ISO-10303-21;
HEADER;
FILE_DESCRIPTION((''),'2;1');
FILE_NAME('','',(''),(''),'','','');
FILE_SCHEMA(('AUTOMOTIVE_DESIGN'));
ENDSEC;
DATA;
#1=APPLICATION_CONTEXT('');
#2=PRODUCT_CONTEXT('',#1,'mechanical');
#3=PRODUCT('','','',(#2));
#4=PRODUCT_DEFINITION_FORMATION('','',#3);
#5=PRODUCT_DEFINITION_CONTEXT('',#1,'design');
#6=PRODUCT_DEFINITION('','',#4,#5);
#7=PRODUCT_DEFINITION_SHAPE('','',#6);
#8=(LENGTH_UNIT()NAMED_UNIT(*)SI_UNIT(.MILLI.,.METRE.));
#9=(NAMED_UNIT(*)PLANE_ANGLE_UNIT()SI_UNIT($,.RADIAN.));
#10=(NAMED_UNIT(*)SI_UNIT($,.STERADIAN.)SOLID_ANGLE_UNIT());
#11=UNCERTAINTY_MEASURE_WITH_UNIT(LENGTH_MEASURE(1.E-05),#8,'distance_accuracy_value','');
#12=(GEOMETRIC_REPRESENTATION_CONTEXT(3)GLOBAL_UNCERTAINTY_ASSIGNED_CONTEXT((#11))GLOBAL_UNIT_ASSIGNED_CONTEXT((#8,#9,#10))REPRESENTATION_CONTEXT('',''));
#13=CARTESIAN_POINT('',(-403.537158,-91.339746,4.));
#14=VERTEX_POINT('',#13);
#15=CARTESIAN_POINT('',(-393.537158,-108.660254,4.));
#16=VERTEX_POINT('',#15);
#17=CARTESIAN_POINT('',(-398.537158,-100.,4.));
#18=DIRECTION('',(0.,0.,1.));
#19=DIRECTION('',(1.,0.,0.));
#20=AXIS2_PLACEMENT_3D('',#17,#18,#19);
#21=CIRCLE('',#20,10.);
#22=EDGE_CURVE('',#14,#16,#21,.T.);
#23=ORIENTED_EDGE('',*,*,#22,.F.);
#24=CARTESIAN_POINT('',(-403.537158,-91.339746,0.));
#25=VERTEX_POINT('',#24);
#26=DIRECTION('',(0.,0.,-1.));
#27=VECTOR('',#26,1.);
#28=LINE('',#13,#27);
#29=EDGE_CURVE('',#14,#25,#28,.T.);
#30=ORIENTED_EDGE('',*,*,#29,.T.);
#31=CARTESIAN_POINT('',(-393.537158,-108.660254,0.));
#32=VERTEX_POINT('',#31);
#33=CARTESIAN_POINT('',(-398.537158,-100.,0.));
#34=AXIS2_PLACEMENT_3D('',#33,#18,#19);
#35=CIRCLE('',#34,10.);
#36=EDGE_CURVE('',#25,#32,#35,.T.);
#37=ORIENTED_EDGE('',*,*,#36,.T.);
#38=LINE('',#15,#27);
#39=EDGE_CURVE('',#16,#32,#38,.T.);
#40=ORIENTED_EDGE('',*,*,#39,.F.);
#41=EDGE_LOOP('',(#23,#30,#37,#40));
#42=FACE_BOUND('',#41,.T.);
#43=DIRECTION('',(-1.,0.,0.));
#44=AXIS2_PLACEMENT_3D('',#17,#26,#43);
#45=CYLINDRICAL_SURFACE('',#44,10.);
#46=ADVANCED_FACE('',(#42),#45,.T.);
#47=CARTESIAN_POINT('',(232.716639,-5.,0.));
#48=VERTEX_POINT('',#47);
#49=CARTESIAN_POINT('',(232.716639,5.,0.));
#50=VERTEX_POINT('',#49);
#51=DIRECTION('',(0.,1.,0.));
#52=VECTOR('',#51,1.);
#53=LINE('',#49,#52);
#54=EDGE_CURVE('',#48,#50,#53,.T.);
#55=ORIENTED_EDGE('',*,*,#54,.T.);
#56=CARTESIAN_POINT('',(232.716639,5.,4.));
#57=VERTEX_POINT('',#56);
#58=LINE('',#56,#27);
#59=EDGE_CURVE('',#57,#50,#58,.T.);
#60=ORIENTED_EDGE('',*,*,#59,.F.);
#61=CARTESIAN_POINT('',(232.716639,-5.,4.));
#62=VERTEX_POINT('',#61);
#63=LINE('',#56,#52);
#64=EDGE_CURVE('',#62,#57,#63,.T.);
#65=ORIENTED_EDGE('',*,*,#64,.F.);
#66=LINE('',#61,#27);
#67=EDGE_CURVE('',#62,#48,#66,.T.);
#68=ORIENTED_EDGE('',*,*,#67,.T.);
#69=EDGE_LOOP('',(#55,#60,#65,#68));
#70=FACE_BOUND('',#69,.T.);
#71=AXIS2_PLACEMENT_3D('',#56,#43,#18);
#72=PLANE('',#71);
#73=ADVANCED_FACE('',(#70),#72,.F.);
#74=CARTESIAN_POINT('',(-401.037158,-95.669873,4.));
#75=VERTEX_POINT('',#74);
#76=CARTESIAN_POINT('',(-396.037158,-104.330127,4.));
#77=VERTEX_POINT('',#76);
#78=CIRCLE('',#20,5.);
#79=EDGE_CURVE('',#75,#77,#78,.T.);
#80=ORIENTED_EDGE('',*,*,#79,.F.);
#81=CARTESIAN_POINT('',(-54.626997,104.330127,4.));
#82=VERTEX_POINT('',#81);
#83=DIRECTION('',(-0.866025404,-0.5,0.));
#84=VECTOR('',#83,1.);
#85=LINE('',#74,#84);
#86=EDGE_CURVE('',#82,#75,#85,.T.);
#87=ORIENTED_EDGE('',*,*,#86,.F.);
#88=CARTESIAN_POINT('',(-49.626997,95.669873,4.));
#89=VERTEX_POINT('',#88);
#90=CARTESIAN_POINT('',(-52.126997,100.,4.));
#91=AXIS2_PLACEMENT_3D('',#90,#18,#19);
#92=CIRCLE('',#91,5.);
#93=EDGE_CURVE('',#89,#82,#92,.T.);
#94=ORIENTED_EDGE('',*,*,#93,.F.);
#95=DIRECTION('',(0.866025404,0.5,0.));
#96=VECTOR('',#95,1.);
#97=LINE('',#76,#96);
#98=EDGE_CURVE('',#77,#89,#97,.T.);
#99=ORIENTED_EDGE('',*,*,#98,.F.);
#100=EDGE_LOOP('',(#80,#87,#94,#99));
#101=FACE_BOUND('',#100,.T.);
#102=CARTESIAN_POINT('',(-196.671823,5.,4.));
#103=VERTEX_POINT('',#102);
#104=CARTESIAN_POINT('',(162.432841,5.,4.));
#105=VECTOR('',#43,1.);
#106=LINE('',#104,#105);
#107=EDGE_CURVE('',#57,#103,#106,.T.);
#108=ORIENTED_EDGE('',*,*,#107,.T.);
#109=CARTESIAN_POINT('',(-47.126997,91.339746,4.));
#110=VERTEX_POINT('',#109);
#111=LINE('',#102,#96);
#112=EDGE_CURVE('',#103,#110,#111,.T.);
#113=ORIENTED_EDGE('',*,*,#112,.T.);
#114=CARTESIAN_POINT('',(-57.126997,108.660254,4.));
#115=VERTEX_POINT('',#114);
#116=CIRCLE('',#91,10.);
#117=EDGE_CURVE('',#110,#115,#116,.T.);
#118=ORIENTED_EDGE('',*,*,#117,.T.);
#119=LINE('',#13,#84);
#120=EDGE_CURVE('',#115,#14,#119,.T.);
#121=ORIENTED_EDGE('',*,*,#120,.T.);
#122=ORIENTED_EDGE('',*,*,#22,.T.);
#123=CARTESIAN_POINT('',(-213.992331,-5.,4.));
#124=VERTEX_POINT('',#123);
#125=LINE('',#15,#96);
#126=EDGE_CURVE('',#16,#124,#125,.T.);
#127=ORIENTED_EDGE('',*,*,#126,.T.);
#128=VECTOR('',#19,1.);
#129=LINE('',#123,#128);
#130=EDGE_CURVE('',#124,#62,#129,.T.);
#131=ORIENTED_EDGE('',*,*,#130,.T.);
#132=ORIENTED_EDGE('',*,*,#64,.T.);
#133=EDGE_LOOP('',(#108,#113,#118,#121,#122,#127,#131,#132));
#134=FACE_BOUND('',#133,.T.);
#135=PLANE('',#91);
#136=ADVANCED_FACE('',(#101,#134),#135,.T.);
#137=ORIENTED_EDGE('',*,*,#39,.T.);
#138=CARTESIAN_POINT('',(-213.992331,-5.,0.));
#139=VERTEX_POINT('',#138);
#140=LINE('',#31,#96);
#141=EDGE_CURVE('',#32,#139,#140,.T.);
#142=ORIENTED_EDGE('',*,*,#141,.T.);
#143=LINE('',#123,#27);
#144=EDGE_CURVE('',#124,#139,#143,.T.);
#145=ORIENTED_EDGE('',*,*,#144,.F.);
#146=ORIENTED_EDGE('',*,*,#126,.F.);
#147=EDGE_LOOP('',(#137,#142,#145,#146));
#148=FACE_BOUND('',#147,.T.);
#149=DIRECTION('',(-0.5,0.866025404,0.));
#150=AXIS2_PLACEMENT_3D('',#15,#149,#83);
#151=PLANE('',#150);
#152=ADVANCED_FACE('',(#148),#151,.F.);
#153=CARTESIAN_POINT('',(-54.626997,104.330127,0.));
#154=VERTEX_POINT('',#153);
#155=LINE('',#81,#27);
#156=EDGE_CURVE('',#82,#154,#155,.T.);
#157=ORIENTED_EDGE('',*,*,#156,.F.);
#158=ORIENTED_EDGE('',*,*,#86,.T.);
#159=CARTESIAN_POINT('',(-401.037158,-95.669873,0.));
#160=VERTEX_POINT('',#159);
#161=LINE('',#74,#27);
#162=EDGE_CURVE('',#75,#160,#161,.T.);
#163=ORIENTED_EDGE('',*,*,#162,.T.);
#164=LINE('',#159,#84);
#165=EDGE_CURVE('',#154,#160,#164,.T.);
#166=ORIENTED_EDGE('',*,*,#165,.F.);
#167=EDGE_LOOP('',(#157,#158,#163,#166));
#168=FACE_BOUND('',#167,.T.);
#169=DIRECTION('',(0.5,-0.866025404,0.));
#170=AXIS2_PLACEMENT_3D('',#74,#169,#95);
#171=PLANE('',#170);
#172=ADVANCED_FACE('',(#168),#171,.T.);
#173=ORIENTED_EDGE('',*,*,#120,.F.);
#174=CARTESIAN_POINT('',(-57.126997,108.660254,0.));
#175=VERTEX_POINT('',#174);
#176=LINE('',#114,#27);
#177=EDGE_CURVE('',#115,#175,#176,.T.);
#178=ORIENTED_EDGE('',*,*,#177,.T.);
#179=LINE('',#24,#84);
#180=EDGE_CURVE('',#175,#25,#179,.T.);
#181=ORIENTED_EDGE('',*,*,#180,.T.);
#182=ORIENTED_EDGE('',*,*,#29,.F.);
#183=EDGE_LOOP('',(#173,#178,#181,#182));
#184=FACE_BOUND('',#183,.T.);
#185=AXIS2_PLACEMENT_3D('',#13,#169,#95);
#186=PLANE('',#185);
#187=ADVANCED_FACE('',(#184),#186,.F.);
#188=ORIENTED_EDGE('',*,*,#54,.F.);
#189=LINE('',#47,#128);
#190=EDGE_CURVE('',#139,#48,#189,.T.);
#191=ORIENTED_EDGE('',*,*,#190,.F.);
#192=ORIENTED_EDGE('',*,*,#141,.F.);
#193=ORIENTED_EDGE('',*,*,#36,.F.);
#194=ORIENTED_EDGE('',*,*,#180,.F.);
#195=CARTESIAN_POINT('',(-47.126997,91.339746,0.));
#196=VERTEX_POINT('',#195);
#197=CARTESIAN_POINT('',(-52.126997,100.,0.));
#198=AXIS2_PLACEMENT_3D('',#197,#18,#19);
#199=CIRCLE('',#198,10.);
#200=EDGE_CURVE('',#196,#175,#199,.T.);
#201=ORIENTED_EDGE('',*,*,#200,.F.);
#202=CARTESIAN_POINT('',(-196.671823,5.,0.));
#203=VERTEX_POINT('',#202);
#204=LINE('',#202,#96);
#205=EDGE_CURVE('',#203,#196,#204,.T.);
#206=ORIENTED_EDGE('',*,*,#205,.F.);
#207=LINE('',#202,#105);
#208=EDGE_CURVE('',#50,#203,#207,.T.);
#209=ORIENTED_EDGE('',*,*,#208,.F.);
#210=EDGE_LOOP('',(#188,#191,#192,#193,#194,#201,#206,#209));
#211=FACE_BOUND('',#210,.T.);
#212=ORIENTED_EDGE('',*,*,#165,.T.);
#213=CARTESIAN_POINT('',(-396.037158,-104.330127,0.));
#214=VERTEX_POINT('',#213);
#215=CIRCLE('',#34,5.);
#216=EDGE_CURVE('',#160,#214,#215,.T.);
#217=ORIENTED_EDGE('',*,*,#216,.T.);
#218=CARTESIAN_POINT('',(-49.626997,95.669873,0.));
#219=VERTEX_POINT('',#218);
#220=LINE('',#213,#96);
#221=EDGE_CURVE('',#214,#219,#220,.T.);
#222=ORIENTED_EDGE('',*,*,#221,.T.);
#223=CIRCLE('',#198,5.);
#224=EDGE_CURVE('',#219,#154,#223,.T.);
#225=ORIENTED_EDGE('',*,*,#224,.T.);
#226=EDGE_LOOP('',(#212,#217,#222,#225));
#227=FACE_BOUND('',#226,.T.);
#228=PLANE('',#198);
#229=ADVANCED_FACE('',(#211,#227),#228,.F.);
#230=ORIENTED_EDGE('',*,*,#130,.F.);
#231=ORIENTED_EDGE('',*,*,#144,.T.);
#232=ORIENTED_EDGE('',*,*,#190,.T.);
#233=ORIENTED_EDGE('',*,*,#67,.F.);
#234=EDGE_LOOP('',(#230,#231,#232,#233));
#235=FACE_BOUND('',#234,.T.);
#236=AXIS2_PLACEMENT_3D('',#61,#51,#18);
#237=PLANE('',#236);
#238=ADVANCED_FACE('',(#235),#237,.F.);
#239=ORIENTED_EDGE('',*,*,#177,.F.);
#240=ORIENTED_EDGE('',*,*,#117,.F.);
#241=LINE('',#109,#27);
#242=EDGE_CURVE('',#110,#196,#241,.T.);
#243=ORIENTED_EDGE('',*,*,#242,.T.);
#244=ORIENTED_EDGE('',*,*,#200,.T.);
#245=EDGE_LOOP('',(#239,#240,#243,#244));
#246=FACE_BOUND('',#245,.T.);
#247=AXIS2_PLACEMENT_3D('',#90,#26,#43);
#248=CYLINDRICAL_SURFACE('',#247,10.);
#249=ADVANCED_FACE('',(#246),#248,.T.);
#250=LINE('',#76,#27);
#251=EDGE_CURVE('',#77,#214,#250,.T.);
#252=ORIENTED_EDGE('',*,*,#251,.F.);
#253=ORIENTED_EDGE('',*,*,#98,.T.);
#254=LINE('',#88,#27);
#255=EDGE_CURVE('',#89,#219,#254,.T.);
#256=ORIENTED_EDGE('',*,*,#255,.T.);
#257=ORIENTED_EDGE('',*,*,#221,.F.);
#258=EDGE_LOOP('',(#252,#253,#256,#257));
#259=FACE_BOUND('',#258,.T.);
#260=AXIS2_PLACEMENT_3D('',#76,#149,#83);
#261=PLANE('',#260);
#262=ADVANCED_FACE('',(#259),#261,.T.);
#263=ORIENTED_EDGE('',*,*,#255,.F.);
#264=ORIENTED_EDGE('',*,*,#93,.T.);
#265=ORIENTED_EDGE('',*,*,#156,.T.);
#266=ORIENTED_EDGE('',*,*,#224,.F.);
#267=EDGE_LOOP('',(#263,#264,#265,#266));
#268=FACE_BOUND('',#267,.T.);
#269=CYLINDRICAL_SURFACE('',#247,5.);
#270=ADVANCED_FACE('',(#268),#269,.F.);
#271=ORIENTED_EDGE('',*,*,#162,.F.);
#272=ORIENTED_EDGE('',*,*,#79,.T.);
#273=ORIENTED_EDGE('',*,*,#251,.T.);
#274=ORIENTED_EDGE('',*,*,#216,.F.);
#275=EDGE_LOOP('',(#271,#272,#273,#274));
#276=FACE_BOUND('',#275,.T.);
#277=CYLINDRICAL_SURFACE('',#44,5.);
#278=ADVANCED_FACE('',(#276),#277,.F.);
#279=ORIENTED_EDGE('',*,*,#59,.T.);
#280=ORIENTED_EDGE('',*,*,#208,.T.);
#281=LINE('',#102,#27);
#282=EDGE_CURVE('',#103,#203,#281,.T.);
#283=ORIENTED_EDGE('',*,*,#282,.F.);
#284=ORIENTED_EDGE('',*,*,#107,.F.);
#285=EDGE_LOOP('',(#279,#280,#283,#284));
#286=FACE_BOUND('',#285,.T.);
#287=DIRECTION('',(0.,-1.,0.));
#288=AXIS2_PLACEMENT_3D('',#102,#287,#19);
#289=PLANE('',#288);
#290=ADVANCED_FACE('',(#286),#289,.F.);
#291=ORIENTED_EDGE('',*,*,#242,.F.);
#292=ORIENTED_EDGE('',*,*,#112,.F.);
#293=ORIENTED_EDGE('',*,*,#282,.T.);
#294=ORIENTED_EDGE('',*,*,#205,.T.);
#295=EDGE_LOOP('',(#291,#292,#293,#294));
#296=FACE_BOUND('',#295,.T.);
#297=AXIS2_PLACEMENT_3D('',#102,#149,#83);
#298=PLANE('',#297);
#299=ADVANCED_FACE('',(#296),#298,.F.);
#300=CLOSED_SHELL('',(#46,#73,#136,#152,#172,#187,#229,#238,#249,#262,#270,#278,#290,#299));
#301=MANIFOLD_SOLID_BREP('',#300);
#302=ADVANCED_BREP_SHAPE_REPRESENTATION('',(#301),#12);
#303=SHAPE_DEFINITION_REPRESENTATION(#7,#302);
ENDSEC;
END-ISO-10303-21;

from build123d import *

# Parameters (mm, degrees)
EXTRUDE_1_DEPTH = 4


with BuildPart() as part:
    # 草图1 → 凸台-拉伸1 (new body)
    with BuildSketch(Plane.XY):
        with BuildLine():
            Line((-196.671823256, 5), (-47.126996537, 91.339745962))
            ThreePointArc((-47.126996537, 91.339745962), (-43.466742499, 105), (-57.126996537, 108.660254038))
            Line((-57.126996537, 108.660254038), (-403.537158051, -91.339745962))
            ThreePointArc((-403.537158051, -91.339745962), (-407.197412089, -105), (-393.537158051, -108.660254038))
            Line((-393.537158051, -108.660254038), (-213.992331332, -5))
            Line((-213.992331332, -5), (84.039471365, -5))
            Line((84.039471365, -5), (162.432840625, -5))
            Line((162.432840625, -5), (232.716639262, -5))
            Line((232.716639262, -5), (232.716639262, 5))
            Line((232.716639262, 5), (162.432840625, 5))
            Line((162.432840625, 5), (84.039471365, 5))
            Line((84.039471365, 5), (-196.671823256, 5))
        make_face()
        with BuildLine():
            Line((-401.037158051, -95.669872981), (-54.626996537, 104.330127019))
            ThreePointArc((-54.626996537, 104.330127019), (-47.796869518, 102.5), (-49.626996537, 95.669872981))
            Line((-49.626996537, 95.669872981), (-396.037158051, -104.330127019))
            ThreePointArc((-396.037158051, -104.330127019), (-402.86728507, -102.5), (-401.037158051, -95.669872981))
        make_face(mode=Mode.SUBTRACT)
    extrude(amount=EXTRUDE_1_DEPTH)


solid = part.part
